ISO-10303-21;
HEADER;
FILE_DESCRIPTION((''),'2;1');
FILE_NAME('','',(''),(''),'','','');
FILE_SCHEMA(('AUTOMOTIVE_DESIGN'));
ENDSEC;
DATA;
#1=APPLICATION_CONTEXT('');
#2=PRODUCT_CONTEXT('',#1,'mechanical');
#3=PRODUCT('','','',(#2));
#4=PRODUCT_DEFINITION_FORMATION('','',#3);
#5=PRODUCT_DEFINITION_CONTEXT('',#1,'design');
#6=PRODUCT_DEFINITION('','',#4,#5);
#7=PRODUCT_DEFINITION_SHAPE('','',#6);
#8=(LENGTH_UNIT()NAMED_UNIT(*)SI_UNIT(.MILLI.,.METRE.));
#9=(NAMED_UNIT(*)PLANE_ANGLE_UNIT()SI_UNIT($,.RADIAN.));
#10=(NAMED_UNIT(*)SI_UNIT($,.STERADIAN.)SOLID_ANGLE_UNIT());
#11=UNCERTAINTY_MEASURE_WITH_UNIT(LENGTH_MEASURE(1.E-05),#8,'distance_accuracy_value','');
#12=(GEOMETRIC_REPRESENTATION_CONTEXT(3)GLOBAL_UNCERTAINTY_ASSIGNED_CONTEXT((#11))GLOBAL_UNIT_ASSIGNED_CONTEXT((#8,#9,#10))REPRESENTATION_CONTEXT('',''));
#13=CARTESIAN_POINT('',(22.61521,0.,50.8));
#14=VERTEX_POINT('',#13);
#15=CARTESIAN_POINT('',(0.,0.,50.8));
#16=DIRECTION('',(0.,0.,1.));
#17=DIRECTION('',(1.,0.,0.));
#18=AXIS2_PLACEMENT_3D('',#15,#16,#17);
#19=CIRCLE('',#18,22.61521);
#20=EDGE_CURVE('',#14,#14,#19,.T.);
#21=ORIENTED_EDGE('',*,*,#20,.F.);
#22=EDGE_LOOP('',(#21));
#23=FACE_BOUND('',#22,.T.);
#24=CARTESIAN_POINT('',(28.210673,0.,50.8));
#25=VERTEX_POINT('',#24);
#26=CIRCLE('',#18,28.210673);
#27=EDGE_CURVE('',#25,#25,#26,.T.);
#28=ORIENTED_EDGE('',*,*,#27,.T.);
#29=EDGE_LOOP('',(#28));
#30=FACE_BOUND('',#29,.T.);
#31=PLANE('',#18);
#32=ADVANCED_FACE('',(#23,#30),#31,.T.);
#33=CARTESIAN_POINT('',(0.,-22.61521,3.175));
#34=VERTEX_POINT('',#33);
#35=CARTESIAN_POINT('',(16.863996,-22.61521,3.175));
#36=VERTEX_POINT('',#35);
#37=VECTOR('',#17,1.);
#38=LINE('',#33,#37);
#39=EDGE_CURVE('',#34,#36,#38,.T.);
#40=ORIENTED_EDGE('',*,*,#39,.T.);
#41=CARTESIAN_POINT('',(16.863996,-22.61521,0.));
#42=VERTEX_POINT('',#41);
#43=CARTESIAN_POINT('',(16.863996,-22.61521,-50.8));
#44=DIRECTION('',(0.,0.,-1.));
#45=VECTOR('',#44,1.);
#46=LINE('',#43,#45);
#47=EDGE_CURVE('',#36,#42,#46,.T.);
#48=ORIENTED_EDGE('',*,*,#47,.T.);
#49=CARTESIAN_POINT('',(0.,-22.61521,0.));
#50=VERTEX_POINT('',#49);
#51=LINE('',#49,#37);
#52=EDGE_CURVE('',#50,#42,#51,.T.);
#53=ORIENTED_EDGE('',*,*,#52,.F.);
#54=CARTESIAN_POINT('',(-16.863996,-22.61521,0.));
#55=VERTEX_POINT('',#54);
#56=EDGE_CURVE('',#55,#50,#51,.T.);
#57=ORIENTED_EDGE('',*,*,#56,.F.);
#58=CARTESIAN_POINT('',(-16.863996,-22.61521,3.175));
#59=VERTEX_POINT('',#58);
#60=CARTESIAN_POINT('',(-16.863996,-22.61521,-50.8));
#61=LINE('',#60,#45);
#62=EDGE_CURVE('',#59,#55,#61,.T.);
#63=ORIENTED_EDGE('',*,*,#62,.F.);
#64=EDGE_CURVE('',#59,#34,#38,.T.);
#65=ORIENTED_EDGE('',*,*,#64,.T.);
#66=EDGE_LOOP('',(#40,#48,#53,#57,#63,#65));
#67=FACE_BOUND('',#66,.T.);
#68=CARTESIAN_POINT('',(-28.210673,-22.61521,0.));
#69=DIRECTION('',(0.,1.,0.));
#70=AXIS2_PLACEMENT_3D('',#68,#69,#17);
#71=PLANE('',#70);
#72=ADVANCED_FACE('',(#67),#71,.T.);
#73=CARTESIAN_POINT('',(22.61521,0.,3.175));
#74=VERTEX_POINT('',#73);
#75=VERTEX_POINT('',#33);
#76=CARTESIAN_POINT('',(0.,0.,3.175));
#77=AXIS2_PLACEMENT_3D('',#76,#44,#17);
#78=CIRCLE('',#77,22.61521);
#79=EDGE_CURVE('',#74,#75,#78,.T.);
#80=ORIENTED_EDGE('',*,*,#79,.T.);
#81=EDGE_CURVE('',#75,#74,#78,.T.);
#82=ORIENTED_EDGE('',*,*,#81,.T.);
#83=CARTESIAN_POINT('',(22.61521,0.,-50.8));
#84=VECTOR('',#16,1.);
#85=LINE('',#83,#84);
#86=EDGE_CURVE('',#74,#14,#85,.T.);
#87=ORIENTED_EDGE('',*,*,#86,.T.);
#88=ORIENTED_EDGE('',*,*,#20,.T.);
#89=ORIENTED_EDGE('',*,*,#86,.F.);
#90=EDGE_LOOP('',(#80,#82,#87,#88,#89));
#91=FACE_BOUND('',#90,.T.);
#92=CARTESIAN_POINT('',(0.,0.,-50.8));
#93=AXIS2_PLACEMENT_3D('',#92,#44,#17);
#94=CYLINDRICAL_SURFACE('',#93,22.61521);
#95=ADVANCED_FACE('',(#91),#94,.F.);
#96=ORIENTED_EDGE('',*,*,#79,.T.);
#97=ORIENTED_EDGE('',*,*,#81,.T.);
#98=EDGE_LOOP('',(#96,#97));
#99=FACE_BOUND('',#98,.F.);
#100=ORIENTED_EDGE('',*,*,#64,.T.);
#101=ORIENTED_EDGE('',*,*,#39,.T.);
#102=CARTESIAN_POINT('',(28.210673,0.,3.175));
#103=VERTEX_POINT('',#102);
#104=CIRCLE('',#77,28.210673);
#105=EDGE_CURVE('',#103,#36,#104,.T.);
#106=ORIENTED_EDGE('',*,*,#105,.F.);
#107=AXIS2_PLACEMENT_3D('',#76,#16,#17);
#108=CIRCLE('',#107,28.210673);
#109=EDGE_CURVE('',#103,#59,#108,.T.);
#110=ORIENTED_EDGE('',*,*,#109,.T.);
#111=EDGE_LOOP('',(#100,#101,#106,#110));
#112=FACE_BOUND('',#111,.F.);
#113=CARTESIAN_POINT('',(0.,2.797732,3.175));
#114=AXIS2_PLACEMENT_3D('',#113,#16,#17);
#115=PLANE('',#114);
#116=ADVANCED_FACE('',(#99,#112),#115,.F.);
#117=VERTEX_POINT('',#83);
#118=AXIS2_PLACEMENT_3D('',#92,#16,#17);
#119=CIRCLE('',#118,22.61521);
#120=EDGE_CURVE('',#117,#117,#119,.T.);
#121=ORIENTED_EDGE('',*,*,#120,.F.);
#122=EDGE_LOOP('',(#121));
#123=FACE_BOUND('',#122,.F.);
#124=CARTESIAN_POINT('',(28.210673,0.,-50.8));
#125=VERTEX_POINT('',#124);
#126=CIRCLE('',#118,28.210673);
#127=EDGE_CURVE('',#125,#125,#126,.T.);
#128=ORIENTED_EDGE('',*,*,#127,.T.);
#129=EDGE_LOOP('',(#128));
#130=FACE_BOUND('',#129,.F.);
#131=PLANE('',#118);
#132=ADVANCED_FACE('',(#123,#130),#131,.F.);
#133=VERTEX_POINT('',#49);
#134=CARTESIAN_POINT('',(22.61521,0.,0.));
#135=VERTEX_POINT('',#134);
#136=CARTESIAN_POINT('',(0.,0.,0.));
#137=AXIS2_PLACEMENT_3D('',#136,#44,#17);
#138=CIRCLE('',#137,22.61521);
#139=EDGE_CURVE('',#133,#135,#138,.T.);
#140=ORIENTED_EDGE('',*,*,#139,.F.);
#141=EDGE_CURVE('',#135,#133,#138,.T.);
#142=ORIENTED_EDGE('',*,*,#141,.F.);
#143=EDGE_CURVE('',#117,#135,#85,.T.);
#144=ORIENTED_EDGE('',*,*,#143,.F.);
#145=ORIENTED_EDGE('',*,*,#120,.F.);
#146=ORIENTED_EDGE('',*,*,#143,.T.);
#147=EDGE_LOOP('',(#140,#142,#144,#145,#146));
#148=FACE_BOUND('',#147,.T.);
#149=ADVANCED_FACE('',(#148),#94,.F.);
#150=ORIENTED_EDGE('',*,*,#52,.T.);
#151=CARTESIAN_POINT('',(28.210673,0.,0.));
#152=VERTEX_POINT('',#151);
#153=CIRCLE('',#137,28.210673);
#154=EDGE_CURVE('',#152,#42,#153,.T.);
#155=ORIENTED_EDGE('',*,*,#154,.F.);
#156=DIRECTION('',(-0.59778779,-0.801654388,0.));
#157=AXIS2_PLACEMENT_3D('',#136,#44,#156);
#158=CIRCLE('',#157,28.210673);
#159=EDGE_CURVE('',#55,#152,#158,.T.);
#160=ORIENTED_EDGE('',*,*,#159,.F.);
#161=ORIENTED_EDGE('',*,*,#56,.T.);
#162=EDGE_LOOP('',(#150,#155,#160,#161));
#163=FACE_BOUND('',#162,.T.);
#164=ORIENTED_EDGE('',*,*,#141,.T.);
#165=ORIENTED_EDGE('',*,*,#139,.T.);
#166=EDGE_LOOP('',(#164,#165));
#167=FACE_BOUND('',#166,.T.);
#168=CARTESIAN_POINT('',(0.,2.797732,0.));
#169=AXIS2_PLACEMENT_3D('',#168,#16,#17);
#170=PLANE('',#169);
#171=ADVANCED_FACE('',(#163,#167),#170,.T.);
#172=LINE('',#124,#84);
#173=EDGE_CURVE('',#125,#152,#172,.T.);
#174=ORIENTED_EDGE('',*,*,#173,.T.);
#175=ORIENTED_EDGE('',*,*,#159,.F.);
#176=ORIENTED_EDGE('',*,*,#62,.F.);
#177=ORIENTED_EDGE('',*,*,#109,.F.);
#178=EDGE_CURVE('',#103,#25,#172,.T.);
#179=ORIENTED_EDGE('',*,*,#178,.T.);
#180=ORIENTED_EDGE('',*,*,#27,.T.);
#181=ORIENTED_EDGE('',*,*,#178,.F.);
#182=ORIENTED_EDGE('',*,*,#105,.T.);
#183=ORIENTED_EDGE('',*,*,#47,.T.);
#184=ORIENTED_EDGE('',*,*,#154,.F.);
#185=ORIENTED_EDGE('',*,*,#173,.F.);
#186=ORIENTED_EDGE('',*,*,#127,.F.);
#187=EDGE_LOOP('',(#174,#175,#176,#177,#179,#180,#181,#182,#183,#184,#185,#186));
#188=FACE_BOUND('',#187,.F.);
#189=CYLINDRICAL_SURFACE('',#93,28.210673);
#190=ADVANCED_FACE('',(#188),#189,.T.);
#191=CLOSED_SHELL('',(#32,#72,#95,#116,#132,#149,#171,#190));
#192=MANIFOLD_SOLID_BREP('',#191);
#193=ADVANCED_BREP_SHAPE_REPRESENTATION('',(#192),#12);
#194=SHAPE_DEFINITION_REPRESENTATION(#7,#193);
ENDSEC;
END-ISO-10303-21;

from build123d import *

# Parameters (mm, degrees)
F0_R     = 28.2106727932
F0_R_2   = 22.6152096398
F1_DEPTH = 101.6
F3_W     = 56.4213455863
F3_H     = 50.825882433
F4_DEPTH = 3.175


with BuildPart() as f1:
    # F0 (on Top) → F1 (new body)
    with BuildSketch(Plane.XY):
        Circle(F0_R)
        Circle(F0_R_2, mode=Mode.SUBTRACT)
    extrude(amount=F1_DEPTH)


with BuildPart() as f1_1:
    # F2: moved
    add(f1.part.moved(Location((0, 0, -50.8))))

    # F3 (on Top) → F4 (cut)
    with BuildSketch(Plane.XY):
        with Locations((0, 2.7977315767)):
            Rectangle(F3_W, F3_H)
    extrude(amount=F4_DEPTH, mode=Mode.SUBTRACT)


solid = f1_1.part
